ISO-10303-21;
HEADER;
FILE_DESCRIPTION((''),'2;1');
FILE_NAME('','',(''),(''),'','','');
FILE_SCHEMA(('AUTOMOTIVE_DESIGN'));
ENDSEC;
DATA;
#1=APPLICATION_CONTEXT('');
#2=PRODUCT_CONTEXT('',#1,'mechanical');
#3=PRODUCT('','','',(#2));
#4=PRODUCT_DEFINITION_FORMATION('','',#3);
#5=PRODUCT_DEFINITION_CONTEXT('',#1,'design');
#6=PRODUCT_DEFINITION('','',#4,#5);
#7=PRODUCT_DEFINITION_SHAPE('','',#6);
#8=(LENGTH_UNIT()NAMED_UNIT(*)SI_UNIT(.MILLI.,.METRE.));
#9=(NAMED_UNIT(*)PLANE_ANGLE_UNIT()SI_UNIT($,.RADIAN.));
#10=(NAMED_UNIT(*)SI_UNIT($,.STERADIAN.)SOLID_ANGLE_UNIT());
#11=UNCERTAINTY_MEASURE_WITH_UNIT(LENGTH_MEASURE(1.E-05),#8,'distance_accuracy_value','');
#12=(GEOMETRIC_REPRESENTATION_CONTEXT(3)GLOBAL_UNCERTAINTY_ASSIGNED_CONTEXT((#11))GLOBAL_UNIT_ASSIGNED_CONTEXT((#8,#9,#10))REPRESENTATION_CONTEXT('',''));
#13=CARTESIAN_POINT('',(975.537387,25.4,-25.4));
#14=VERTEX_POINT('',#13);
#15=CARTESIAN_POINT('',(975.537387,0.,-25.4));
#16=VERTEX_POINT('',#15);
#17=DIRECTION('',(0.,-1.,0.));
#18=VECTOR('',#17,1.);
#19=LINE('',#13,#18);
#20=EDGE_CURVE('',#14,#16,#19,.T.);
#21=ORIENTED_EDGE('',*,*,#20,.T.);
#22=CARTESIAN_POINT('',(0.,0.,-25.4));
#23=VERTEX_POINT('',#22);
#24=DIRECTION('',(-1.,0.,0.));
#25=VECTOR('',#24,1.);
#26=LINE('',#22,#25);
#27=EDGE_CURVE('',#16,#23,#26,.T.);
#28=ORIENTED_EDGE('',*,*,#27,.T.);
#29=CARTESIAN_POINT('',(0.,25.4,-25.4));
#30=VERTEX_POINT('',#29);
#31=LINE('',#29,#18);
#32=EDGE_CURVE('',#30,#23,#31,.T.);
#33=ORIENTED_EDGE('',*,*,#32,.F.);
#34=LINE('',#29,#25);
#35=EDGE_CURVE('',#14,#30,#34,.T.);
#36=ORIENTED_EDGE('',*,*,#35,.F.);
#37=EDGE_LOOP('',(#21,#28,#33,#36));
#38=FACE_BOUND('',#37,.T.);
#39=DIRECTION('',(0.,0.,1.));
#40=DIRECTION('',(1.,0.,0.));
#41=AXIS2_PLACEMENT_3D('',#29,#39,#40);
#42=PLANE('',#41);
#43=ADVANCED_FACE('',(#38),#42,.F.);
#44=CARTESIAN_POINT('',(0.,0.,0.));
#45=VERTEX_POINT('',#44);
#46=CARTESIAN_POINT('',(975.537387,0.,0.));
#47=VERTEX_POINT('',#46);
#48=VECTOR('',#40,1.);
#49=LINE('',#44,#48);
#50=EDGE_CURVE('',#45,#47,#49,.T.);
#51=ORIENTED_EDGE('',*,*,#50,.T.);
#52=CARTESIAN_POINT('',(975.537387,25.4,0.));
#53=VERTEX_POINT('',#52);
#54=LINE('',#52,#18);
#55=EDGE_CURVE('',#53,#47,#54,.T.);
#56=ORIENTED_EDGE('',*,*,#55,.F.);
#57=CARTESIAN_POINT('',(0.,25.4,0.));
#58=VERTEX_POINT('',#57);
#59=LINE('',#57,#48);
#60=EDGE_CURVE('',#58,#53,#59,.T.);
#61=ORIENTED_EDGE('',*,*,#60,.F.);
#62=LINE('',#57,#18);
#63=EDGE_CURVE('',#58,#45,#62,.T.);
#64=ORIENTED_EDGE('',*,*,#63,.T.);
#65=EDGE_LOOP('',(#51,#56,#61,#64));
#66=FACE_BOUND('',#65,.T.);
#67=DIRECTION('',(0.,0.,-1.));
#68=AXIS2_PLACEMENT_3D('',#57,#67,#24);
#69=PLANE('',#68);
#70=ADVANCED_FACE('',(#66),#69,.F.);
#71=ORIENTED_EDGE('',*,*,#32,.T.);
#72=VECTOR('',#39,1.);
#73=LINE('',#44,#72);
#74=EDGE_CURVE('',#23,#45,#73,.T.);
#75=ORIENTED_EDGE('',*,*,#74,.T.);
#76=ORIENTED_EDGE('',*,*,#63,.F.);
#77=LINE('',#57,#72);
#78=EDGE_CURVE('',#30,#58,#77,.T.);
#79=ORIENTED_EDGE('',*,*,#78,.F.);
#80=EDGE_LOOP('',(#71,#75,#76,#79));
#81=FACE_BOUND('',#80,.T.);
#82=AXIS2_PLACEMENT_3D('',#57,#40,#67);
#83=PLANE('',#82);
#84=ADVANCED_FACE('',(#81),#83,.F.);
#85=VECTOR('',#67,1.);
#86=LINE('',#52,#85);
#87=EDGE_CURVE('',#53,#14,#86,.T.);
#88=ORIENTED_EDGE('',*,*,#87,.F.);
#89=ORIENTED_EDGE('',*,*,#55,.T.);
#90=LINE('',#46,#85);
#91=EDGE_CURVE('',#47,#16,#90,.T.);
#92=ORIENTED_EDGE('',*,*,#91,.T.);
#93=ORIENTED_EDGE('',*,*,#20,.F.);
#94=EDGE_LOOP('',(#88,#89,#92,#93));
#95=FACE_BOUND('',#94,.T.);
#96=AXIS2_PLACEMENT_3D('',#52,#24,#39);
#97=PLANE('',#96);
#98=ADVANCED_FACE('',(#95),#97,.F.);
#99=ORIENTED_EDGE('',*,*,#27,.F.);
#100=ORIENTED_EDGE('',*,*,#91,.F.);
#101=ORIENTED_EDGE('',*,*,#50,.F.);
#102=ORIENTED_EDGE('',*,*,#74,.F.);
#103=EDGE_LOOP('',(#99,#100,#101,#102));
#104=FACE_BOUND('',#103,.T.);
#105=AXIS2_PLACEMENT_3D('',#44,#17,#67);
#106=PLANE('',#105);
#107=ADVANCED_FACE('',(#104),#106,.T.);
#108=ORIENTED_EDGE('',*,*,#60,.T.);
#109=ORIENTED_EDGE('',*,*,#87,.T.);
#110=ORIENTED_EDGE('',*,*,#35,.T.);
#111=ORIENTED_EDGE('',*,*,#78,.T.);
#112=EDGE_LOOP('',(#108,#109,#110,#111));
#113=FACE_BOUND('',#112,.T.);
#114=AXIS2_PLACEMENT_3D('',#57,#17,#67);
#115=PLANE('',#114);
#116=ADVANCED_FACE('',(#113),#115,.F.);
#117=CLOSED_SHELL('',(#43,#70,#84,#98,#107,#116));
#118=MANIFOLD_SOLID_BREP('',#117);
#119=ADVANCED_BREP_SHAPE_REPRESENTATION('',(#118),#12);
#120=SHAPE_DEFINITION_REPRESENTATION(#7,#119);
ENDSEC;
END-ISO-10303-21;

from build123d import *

# Parameters (mm, degrees)
SKETCH1_W           = 975.537386994
SKETCH1_H           = 25.4
BOSS_EXTRUDE1_DEPTH = 25.4


with BuildPart() as part:
    # Sketch1 → Boss-Extrude1 (new body)
    with BuildSketch(Plane(origin=(0, 0, 0), x_dir=(1, 0, 0), z_dir=(0, 1, 0))):
        with Locations((487.768693497, 12.7)):
            Rectangle(SKETCH1_W, SKETCH1_H)
    extrude(amount=BOSS_EXTRUDE1_DEPTH)


solid = part.part
